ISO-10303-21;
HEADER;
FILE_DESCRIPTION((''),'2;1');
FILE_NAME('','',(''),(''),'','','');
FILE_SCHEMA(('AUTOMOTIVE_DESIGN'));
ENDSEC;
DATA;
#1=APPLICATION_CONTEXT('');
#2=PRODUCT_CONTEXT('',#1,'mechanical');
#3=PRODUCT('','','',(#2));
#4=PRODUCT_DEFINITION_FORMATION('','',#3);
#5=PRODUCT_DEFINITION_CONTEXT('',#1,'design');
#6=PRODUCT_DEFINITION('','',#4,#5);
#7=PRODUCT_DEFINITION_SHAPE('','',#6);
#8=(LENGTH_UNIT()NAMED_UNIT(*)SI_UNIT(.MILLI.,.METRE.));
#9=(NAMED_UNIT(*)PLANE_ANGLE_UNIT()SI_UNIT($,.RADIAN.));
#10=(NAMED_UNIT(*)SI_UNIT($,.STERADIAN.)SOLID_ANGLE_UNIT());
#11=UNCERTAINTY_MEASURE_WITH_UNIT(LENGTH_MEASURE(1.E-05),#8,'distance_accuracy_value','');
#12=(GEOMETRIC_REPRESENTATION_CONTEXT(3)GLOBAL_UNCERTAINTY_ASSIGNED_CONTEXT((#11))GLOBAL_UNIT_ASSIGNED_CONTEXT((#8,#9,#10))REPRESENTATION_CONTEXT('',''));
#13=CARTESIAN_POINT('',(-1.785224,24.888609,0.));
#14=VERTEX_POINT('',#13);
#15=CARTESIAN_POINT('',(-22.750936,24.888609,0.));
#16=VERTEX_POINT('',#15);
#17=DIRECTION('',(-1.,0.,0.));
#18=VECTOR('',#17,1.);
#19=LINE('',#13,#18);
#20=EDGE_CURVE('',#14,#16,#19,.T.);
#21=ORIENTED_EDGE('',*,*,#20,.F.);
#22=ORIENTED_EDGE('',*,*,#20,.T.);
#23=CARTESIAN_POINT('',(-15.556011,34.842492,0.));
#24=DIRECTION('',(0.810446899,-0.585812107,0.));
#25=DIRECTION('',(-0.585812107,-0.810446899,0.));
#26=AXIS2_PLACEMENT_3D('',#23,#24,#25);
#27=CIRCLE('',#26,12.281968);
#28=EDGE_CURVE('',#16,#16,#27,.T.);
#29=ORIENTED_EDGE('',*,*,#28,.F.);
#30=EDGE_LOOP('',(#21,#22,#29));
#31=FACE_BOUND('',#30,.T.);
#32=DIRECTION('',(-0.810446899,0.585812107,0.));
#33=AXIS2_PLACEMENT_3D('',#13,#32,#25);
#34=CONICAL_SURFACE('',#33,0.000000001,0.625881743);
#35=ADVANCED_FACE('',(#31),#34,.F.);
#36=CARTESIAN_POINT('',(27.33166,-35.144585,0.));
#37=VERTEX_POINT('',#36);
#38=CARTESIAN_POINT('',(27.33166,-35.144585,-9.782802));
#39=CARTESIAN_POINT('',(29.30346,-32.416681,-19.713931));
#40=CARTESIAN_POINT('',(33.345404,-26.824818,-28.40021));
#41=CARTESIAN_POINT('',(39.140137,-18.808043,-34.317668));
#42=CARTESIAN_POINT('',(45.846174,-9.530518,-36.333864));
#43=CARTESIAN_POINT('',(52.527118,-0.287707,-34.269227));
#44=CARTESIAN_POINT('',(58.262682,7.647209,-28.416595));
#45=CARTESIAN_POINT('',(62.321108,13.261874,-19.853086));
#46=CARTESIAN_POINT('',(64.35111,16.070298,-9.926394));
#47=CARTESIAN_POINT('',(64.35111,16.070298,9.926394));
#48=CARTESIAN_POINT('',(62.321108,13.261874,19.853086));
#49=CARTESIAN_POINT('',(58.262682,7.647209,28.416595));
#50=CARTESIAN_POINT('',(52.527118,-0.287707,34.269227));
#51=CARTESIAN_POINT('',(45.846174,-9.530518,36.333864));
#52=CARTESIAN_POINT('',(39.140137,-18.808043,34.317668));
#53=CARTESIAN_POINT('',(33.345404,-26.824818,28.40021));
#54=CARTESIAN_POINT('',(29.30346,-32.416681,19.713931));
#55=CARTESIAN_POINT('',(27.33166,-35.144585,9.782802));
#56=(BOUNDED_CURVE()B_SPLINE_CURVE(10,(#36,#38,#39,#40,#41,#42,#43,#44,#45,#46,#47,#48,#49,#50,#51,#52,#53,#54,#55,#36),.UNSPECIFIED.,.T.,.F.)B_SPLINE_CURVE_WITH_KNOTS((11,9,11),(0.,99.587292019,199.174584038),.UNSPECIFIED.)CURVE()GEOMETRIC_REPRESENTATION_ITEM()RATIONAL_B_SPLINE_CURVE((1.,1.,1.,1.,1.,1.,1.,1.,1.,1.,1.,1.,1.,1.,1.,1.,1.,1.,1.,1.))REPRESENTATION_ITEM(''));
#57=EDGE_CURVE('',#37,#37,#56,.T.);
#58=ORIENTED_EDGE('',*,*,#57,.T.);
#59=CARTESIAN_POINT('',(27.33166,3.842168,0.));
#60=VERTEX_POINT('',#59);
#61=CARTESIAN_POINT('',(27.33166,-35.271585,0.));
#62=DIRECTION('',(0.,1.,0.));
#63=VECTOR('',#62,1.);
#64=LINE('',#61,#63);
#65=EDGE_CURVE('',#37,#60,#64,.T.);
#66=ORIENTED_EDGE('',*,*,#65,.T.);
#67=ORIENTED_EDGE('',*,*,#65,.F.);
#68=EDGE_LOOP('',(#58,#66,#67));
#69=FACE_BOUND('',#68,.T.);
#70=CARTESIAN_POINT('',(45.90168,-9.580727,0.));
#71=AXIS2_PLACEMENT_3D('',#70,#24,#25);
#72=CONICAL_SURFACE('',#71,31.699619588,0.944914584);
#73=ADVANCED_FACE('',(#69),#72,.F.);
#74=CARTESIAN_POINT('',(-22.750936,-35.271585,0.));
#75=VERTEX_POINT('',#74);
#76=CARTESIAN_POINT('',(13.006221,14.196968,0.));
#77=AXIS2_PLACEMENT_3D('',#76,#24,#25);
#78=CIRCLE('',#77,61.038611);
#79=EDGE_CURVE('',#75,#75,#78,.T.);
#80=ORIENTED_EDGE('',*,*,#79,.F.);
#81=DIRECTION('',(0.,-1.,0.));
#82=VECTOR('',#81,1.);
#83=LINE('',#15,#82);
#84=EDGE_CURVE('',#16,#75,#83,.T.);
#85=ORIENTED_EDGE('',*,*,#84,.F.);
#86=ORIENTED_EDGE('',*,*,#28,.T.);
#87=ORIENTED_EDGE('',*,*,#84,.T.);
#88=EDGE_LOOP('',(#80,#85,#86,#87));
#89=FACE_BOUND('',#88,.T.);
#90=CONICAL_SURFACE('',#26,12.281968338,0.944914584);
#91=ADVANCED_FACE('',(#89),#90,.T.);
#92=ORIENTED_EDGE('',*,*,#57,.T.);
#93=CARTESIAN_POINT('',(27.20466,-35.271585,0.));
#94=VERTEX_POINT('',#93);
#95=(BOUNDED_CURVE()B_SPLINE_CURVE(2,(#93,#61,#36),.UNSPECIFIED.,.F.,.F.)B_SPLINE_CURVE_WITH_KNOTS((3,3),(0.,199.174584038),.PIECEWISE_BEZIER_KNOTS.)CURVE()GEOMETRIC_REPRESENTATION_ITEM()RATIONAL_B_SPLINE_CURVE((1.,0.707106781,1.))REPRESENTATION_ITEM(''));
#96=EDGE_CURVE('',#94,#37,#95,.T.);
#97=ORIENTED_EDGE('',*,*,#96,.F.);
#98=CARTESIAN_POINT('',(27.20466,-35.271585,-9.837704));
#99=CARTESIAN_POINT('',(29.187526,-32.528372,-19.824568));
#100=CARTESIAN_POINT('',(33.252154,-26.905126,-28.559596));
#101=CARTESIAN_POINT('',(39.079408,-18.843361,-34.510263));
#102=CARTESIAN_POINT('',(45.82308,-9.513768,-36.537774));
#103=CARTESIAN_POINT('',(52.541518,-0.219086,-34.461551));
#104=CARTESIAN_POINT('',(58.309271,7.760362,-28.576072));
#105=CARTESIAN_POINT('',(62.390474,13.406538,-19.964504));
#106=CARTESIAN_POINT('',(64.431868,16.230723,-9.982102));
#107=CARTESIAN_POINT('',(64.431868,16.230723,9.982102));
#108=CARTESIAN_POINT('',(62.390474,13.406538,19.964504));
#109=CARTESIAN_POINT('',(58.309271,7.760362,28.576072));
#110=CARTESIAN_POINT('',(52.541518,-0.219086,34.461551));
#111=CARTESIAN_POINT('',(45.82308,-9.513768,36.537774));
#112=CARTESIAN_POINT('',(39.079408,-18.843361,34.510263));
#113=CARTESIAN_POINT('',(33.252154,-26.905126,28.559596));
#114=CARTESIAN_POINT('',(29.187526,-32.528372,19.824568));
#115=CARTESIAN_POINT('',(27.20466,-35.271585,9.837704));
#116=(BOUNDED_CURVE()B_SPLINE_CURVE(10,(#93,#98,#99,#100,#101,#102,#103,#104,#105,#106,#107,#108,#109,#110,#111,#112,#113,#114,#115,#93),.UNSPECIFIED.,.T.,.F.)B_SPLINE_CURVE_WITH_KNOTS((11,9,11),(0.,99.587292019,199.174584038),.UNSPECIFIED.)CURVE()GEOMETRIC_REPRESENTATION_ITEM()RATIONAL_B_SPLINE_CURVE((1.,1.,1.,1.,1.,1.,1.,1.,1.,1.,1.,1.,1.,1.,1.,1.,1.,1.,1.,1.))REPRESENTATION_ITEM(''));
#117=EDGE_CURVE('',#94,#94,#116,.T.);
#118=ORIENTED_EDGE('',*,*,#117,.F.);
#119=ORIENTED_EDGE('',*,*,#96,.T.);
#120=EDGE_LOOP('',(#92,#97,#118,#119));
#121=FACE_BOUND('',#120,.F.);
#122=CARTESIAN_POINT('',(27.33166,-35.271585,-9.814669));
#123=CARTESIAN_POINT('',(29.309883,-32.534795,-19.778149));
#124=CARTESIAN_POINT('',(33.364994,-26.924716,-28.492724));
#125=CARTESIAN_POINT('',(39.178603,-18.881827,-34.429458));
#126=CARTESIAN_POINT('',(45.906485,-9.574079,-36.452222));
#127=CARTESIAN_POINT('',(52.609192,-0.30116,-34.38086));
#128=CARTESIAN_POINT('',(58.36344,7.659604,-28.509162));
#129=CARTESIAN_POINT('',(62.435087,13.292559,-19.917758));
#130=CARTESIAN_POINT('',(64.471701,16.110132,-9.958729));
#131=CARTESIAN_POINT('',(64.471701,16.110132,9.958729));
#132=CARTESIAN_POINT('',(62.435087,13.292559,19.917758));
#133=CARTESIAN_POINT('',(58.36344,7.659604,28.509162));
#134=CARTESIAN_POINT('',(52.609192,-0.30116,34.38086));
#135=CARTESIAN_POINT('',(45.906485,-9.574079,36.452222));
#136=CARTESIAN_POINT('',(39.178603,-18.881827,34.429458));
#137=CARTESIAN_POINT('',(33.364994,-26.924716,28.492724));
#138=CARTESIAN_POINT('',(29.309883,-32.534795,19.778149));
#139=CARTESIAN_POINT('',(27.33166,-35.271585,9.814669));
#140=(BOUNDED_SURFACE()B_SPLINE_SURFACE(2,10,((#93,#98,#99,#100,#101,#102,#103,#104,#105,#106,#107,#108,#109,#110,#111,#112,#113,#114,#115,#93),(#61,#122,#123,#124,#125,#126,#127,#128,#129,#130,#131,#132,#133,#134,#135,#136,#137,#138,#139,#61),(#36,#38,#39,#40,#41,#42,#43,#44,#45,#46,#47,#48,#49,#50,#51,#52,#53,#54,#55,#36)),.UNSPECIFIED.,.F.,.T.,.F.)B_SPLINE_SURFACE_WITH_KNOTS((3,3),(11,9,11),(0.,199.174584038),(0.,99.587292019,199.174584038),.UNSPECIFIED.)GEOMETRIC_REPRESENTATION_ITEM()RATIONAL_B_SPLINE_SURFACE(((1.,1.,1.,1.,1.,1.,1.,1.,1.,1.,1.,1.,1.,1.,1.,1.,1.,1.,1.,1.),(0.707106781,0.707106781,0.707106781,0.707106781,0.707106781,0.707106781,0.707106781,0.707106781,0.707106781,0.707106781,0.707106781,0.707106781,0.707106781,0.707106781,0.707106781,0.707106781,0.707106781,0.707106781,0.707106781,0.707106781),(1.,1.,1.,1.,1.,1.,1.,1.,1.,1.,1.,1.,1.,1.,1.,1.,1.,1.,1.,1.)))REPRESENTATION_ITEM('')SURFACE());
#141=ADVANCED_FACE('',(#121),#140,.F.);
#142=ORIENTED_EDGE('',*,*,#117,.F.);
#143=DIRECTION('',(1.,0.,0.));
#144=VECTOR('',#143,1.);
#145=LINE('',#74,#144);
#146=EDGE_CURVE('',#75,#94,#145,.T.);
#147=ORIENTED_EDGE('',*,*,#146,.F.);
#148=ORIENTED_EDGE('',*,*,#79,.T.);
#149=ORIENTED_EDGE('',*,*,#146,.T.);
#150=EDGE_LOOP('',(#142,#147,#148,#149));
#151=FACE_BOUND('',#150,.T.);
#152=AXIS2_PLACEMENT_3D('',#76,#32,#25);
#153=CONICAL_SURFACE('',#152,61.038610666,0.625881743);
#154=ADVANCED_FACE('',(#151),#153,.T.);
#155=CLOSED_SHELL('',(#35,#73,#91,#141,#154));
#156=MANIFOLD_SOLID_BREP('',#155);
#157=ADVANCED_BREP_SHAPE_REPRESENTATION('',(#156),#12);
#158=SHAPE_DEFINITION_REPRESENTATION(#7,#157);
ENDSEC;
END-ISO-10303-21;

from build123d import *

# Parameters (mm, degrees)
F2_R = 0.127


with BuildPart() as f1:
    # F0 (on Top) → F1 (revolve)
    with BuildSketch(Plane.XY):
        Polygon((-1.7852237216, 24.8886086047), (-22.7509364486, 24.8886086047), (-22.7509364486, -35.2715849876), (27.3316595703, -35.2715849876), (27.3316595703, 3.842167726), align=None)
    revolve(axis=Axis((12.3679591343, 14.6583197638, 0), (0.8104468988, -0.5858121066, 0)))

    # F2
    f2_edges = [f1.edges().sort_by_distance(p)[0] for p in [
        (64.471701, 16.110132, 0),
    ]]
    fillet(f2_edges, radius=F2_R)


solid = f1.part
